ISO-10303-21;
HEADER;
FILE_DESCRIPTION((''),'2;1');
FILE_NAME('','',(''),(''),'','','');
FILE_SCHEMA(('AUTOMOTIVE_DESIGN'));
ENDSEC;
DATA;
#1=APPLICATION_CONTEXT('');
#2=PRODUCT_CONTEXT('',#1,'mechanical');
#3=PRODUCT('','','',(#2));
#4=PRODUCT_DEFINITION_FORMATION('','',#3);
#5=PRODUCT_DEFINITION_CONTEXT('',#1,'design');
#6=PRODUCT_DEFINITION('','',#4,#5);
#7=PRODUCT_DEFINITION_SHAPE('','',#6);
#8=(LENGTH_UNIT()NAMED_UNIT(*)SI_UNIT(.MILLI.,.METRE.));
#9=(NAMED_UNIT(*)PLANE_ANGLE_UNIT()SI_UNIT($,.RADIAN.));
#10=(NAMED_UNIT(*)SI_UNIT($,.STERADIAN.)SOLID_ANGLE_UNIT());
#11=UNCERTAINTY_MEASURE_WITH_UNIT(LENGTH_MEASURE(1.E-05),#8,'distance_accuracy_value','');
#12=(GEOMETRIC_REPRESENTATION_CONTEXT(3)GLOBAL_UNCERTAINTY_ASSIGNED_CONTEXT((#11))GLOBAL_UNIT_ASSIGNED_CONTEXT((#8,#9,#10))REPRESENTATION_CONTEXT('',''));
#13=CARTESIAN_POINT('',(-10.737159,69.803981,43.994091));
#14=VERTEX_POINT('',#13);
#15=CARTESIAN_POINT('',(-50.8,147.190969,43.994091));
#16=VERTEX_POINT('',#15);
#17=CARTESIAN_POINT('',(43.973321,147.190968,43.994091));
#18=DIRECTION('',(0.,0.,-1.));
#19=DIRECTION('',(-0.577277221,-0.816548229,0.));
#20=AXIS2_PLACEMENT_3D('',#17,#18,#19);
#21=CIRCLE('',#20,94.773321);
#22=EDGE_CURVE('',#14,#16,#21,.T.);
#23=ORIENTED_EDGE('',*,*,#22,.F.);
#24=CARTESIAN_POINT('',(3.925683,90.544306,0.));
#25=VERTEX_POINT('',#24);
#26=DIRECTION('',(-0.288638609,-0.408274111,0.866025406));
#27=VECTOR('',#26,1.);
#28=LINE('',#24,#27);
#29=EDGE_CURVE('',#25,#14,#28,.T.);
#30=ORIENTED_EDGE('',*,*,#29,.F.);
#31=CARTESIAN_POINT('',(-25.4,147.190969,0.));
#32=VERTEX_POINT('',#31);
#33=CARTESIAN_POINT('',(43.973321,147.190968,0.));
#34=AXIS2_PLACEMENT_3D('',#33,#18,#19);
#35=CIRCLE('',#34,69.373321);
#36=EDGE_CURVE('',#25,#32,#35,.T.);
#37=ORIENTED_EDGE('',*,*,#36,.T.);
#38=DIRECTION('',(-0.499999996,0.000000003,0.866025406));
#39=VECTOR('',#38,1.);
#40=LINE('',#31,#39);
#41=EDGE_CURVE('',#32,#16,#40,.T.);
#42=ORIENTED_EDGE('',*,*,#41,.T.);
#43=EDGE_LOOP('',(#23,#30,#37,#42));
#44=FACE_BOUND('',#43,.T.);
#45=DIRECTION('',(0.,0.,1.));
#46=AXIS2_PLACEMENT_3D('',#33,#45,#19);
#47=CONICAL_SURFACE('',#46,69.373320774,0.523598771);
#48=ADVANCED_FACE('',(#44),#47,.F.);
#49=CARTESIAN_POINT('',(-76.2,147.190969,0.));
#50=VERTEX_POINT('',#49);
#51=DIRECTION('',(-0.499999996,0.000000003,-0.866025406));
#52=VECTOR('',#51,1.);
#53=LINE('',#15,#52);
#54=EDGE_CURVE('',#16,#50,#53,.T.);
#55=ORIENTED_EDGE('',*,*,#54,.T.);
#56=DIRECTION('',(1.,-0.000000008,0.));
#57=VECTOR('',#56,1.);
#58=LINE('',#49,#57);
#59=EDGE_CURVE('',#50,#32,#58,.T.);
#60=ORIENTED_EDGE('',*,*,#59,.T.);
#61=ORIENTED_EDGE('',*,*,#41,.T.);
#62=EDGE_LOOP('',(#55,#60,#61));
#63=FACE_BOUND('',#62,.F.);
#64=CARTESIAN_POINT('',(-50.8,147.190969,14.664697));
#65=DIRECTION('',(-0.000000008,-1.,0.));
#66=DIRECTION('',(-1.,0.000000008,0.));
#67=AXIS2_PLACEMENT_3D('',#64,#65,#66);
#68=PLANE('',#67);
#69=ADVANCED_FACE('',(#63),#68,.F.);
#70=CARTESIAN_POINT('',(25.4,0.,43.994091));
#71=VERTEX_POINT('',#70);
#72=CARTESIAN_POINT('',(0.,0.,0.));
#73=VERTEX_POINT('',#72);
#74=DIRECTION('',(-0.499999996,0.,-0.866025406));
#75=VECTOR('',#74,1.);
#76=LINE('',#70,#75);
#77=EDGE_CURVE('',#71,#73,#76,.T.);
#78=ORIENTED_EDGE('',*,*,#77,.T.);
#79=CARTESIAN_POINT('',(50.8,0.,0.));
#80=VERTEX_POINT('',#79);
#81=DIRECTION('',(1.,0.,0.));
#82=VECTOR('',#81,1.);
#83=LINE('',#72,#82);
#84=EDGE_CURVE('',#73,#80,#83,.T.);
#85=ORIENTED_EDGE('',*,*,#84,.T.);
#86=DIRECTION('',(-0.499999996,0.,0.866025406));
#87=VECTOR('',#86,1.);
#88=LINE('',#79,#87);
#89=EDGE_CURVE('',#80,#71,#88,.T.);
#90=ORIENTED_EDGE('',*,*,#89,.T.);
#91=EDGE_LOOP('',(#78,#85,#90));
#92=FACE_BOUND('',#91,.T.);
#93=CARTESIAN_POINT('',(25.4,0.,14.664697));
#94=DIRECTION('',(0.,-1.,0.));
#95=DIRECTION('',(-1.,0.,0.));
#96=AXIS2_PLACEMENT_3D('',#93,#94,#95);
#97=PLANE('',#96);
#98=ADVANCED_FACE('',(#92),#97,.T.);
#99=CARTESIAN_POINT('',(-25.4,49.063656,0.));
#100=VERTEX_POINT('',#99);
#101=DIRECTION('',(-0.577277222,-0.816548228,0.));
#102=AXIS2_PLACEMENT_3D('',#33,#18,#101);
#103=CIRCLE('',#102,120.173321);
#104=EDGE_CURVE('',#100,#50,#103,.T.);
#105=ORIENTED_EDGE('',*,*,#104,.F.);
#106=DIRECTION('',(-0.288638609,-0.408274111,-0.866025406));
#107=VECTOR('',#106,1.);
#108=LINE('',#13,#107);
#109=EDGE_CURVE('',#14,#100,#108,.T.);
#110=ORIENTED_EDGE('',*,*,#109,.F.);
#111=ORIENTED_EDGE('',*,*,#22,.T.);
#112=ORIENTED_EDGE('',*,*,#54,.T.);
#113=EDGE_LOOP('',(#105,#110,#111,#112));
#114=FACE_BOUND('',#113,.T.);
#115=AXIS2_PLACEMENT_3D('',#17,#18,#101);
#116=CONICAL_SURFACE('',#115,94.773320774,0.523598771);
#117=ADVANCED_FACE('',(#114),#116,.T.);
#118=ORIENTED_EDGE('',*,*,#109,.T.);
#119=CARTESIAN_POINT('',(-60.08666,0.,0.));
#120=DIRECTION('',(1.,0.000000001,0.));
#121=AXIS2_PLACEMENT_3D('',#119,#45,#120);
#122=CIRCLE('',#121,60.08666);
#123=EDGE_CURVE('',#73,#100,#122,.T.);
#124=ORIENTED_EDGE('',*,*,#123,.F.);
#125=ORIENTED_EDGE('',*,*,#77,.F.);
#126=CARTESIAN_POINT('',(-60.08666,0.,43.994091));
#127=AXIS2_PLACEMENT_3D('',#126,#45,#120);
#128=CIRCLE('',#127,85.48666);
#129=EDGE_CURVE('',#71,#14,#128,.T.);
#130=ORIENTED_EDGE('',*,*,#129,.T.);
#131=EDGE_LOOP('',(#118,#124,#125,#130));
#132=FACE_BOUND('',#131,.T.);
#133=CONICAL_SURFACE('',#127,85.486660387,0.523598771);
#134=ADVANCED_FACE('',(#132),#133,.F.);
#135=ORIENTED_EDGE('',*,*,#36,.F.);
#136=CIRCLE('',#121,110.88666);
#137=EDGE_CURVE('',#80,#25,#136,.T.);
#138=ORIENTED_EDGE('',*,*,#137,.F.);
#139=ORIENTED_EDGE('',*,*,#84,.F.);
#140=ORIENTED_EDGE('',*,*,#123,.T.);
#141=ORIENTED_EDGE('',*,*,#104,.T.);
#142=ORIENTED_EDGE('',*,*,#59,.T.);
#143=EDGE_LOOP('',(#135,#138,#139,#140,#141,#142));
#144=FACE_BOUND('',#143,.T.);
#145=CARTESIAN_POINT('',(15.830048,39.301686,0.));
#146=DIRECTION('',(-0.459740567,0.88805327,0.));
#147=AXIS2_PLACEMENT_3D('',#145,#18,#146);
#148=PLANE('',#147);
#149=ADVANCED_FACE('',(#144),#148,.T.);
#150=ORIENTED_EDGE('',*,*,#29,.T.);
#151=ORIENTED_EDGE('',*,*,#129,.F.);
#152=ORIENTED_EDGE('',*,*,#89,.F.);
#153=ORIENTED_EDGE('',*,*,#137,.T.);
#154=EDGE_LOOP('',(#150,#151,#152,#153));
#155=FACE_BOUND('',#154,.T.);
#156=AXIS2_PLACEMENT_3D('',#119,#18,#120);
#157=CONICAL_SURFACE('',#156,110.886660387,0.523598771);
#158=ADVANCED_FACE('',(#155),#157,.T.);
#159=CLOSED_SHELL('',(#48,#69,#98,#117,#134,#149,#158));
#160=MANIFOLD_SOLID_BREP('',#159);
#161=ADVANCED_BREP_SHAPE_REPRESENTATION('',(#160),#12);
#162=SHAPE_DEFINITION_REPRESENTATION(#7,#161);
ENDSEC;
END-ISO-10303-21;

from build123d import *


with BuildPart() as f2:
    # F2: sweep along a path in F0
    with BuildLine(Plane.XY) as f2_path:
        ThreePointArc((0, 0), (-6.726505, 27.624275), (-25.4, 49.063656))
        ThreePointArc((-25.4, 49.063656), (-62.74699, 91.942418), (-76.2, 147.190969))
    # F1 (on Front) → F2 (sweep)
    with BuildSketch(Plane.XZ):
        Polygon((0, 0), (50.8, 0), (25.4, 43.994091), align=None)
    sweep(path=f2_path.line)


solid = f2.part
